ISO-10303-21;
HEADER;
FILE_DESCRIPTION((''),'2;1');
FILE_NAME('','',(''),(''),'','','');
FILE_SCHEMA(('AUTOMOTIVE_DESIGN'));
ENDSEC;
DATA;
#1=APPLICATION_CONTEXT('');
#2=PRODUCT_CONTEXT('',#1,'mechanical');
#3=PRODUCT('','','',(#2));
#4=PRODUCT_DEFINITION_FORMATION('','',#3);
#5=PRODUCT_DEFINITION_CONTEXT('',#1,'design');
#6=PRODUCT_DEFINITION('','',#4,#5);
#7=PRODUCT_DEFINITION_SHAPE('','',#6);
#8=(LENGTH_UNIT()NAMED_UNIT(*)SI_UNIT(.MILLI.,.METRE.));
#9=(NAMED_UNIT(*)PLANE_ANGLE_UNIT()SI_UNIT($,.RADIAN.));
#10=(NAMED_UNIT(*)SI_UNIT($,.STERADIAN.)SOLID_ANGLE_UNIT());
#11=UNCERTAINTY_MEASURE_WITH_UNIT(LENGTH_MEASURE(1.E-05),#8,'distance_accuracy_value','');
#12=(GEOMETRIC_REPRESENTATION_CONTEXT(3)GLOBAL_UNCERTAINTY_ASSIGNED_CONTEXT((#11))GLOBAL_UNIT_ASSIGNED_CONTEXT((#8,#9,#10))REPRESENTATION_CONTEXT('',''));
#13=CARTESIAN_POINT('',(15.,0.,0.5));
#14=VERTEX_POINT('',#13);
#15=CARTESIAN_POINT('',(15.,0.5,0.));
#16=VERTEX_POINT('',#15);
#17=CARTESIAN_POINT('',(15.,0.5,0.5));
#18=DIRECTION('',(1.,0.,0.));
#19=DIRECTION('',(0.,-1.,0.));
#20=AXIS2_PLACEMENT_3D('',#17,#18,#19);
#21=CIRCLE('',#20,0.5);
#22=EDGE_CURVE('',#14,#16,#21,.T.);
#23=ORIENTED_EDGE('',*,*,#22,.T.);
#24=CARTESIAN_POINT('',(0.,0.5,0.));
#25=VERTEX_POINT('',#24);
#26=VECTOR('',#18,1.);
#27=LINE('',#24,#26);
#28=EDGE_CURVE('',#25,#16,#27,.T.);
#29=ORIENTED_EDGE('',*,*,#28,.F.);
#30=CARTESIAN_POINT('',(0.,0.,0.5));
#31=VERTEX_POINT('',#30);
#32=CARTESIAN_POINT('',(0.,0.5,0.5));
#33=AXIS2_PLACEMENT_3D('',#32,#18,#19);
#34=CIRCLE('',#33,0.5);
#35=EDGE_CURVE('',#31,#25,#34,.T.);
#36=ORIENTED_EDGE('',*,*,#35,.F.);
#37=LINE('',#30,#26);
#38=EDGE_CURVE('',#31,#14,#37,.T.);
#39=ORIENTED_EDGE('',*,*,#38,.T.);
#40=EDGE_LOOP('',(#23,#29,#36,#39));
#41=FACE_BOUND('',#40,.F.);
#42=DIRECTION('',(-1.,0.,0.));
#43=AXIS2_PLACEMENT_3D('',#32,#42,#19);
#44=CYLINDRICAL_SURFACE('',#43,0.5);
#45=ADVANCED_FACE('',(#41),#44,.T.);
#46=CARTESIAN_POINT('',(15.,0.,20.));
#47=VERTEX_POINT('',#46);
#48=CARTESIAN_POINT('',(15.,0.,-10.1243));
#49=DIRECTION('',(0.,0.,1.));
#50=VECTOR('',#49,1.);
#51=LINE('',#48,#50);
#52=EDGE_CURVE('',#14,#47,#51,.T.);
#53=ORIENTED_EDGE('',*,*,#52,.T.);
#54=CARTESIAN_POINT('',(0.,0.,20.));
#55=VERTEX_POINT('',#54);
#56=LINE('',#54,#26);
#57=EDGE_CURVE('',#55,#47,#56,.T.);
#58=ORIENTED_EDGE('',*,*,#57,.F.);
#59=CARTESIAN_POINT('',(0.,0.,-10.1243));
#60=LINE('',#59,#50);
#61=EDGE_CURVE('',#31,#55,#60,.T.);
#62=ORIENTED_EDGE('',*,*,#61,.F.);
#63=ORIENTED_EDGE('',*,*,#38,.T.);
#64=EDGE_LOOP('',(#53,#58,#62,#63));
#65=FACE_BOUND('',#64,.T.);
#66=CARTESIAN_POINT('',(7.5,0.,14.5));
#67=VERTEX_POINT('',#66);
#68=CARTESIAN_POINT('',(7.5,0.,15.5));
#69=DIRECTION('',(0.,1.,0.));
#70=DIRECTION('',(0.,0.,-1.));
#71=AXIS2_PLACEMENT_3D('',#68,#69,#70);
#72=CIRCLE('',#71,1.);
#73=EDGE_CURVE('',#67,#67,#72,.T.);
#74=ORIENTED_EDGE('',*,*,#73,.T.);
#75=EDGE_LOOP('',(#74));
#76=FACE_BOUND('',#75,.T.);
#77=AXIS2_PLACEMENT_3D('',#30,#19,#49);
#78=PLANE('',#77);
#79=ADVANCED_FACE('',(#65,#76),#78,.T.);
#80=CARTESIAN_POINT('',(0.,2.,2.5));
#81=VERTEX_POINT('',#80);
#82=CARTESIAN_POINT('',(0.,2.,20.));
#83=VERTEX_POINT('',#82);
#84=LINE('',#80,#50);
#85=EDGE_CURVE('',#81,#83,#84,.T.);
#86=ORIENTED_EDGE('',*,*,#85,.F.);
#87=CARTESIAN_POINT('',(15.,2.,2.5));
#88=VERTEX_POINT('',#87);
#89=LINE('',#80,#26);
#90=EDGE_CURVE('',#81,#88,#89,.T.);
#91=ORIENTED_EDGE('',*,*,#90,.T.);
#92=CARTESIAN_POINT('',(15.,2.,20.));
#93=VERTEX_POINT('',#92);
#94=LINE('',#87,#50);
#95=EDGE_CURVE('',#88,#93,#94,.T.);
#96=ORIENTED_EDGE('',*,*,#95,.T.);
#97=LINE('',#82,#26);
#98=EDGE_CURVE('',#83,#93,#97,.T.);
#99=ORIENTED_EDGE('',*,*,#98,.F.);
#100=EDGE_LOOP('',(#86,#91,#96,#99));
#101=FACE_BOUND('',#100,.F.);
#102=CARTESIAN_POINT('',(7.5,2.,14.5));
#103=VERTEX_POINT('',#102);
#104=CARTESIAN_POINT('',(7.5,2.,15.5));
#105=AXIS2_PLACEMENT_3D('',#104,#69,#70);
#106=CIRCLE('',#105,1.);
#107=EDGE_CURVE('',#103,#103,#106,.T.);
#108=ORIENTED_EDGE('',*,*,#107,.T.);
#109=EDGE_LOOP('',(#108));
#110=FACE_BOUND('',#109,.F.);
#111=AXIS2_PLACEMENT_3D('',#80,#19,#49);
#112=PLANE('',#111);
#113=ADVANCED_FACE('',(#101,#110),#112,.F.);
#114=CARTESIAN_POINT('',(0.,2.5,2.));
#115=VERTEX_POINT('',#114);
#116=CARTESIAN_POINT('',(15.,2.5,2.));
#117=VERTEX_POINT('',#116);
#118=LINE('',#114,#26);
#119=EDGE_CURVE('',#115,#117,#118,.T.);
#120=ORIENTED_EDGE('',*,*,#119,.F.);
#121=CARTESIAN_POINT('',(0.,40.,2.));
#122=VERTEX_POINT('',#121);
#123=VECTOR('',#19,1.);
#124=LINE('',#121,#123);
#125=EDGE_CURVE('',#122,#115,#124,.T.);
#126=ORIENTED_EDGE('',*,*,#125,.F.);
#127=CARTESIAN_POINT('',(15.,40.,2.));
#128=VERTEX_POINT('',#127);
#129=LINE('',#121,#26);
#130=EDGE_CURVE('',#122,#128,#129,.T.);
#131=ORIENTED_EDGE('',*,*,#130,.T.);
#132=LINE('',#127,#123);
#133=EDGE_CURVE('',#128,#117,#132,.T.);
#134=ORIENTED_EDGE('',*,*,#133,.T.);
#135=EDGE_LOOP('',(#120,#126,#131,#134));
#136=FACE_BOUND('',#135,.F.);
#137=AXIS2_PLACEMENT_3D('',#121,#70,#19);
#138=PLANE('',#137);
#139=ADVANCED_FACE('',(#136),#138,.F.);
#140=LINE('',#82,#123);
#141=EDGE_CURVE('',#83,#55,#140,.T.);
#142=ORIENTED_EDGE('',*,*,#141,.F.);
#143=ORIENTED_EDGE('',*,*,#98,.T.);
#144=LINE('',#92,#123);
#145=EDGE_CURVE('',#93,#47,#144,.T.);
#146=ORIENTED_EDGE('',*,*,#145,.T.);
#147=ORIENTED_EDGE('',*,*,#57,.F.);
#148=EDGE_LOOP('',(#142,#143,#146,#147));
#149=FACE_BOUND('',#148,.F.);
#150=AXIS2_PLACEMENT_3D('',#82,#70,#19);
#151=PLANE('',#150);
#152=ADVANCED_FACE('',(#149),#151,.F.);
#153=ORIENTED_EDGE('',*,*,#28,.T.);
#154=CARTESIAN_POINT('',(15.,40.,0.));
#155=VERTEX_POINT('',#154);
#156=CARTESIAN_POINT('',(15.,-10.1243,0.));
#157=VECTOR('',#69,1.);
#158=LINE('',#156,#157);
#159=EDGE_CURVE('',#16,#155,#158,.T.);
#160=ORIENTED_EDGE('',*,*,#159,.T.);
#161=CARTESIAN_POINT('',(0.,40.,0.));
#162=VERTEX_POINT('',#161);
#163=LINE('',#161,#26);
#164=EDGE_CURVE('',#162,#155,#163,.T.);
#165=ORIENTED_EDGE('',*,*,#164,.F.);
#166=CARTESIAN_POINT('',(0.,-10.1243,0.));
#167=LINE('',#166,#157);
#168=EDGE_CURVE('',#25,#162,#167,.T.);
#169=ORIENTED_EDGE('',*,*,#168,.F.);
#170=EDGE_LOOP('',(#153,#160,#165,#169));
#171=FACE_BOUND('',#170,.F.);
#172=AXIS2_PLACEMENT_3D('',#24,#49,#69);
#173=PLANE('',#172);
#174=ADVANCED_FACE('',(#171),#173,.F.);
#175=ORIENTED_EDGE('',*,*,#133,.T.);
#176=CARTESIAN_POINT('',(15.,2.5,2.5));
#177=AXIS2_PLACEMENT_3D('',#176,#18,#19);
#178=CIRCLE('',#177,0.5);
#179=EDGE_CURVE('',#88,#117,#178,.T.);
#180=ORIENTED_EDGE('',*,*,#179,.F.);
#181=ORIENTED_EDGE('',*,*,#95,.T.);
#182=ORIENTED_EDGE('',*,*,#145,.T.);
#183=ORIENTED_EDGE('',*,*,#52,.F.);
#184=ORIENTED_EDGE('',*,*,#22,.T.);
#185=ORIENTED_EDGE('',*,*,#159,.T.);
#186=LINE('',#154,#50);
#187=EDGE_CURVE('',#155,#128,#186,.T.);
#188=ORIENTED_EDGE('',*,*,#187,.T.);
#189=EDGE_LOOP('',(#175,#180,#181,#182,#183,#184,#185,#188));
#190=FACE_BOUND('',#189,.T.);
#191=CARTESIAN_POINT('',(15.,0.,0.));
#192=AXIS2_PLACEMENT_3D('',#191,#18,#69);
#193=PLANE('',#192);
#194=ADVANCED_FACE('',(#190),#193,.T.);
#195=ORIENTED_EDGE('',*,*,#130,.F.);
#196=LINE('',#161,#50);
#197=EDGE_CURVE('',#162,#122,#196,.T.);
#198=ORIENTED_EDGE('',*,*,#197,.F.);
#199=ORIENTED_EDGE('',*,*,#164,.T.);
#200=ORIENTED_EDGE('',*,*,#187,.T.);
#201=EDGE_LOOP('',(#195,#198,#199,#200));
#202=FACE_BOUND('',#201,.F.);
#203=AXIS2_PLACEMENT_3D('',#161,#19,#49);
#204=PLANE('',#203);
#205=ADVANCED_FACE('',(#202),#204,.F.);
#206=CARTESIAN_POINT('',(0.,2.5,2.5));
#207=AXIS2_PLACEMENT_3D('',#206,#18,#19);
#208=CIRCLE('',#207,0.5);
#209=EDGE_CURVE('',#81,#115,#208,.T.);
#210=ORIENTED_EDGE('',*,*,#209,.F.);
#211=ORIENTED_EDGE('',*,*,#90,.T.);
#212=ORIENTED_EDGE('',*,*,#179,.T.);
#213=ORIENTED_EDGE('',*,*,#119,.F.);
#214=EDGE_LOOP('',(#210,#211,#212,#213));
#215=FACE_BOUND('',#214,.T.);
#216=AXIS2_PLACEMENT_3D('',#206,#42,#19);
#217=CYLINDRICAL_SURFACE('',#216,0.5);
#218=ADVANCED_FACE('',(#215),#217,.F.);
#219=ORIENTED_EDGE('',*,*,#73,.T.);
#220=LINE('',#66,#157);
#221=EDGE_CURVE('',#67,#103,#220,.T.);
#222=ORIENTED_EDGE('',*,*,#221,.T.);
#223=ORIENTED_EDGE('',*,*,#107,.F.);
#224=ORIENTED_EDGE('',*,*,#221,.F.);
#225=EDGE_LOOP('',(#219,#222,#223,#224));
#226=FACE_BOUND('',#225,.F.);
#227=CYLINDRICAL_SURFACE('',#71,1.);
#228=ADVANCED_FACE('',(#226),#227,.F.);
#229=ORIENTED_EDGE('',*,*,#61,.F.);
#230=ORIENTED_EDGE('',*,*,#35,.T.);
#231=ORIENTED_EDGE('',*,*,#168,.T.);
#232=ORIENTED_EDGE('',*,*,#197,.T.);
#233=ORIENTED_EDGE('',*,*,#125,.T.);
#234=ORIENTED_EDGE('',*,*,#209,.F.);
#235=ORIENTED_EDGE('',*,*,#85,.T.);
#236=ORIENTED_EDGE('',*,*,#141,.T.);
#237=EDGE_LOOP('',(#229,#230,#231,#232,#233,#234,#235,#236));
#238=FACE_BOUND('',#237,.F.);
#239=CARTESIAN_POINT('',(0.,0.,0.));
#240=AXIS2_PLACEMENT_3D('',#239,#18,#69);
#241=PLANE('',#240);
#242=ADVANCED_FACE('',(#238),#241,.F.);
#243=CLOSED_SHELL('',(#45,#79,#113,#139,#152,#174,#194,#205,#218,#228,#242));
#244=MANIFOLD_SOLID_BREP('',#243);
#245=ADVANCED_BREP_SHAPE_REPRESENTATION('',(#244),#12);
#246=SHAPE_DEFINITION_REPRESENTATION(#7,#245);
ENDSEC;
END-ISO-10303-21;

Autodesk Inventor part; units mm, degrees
ref_plane "YZ Plane" through (0, 0, 0) normal (1, 0, 0) x (0, 1, 0)
ref_plane "XZ Plane" through (0, 0, 0) normal (0, 1, 0) x (-1, 0, 0)
ref_plane "XY Plane" through (0, 0, 0) normal (0, 0, 1) x (1, 0, 0)
sketch "Szkic2" plane through (0, 0, 0) normal (1, 0, 0) x (0, 1, 0)
  line L0 (-10.1243, 0) -> (60.0207, 0)
  line L1 (0, -10.1243) -> (0, 60.0207)
  line L2 (0, 20) -> (0, 0.5)
  line L3 (0.5, 0) -> (40, 0)
  line L4 (40, 2) -> (2.5, 2)
  line L5 (2, 2.5) -> (2, 20)
  line L6 (2, 20) -> (0, 20)
  line L7 (40, 0) -> (40, 2)
  arc A0 (2, 2.5) -> (2.5, 2) centre (2.5, 2.5) ccw
  arc A1 (0, 0.5) -> (0.5, 0) centre (0.5, 0.5) ccw
  point P0 (0, 0)
  point P1 (0, 0)
  dimension "d4" = 2
  dimension "d5" = 2
  dimension "d6" = 40
  dimension "d7" = 20
  dimension "d8" = 0.5
extrude "Wyciągnięcie proste1" add sketch "Szkic2" along normal blind 15 contours A1 L1 L6 L5 A0 L4 L7 L0
sketch "Szkic3" plane through (0, 0, 0.5) normal (0, -1, 0) x (1, 0, 0)
  circle A0 centre (7.5, 15) radius 1
  point P0 (0, -0.5)
  dimension "d11" = 2
hole "Otwór1" at (7.5, 0, 15.5) direction (0, 1, 0) diameter 2 end through all
properties part number "kątownik_bloczek"
